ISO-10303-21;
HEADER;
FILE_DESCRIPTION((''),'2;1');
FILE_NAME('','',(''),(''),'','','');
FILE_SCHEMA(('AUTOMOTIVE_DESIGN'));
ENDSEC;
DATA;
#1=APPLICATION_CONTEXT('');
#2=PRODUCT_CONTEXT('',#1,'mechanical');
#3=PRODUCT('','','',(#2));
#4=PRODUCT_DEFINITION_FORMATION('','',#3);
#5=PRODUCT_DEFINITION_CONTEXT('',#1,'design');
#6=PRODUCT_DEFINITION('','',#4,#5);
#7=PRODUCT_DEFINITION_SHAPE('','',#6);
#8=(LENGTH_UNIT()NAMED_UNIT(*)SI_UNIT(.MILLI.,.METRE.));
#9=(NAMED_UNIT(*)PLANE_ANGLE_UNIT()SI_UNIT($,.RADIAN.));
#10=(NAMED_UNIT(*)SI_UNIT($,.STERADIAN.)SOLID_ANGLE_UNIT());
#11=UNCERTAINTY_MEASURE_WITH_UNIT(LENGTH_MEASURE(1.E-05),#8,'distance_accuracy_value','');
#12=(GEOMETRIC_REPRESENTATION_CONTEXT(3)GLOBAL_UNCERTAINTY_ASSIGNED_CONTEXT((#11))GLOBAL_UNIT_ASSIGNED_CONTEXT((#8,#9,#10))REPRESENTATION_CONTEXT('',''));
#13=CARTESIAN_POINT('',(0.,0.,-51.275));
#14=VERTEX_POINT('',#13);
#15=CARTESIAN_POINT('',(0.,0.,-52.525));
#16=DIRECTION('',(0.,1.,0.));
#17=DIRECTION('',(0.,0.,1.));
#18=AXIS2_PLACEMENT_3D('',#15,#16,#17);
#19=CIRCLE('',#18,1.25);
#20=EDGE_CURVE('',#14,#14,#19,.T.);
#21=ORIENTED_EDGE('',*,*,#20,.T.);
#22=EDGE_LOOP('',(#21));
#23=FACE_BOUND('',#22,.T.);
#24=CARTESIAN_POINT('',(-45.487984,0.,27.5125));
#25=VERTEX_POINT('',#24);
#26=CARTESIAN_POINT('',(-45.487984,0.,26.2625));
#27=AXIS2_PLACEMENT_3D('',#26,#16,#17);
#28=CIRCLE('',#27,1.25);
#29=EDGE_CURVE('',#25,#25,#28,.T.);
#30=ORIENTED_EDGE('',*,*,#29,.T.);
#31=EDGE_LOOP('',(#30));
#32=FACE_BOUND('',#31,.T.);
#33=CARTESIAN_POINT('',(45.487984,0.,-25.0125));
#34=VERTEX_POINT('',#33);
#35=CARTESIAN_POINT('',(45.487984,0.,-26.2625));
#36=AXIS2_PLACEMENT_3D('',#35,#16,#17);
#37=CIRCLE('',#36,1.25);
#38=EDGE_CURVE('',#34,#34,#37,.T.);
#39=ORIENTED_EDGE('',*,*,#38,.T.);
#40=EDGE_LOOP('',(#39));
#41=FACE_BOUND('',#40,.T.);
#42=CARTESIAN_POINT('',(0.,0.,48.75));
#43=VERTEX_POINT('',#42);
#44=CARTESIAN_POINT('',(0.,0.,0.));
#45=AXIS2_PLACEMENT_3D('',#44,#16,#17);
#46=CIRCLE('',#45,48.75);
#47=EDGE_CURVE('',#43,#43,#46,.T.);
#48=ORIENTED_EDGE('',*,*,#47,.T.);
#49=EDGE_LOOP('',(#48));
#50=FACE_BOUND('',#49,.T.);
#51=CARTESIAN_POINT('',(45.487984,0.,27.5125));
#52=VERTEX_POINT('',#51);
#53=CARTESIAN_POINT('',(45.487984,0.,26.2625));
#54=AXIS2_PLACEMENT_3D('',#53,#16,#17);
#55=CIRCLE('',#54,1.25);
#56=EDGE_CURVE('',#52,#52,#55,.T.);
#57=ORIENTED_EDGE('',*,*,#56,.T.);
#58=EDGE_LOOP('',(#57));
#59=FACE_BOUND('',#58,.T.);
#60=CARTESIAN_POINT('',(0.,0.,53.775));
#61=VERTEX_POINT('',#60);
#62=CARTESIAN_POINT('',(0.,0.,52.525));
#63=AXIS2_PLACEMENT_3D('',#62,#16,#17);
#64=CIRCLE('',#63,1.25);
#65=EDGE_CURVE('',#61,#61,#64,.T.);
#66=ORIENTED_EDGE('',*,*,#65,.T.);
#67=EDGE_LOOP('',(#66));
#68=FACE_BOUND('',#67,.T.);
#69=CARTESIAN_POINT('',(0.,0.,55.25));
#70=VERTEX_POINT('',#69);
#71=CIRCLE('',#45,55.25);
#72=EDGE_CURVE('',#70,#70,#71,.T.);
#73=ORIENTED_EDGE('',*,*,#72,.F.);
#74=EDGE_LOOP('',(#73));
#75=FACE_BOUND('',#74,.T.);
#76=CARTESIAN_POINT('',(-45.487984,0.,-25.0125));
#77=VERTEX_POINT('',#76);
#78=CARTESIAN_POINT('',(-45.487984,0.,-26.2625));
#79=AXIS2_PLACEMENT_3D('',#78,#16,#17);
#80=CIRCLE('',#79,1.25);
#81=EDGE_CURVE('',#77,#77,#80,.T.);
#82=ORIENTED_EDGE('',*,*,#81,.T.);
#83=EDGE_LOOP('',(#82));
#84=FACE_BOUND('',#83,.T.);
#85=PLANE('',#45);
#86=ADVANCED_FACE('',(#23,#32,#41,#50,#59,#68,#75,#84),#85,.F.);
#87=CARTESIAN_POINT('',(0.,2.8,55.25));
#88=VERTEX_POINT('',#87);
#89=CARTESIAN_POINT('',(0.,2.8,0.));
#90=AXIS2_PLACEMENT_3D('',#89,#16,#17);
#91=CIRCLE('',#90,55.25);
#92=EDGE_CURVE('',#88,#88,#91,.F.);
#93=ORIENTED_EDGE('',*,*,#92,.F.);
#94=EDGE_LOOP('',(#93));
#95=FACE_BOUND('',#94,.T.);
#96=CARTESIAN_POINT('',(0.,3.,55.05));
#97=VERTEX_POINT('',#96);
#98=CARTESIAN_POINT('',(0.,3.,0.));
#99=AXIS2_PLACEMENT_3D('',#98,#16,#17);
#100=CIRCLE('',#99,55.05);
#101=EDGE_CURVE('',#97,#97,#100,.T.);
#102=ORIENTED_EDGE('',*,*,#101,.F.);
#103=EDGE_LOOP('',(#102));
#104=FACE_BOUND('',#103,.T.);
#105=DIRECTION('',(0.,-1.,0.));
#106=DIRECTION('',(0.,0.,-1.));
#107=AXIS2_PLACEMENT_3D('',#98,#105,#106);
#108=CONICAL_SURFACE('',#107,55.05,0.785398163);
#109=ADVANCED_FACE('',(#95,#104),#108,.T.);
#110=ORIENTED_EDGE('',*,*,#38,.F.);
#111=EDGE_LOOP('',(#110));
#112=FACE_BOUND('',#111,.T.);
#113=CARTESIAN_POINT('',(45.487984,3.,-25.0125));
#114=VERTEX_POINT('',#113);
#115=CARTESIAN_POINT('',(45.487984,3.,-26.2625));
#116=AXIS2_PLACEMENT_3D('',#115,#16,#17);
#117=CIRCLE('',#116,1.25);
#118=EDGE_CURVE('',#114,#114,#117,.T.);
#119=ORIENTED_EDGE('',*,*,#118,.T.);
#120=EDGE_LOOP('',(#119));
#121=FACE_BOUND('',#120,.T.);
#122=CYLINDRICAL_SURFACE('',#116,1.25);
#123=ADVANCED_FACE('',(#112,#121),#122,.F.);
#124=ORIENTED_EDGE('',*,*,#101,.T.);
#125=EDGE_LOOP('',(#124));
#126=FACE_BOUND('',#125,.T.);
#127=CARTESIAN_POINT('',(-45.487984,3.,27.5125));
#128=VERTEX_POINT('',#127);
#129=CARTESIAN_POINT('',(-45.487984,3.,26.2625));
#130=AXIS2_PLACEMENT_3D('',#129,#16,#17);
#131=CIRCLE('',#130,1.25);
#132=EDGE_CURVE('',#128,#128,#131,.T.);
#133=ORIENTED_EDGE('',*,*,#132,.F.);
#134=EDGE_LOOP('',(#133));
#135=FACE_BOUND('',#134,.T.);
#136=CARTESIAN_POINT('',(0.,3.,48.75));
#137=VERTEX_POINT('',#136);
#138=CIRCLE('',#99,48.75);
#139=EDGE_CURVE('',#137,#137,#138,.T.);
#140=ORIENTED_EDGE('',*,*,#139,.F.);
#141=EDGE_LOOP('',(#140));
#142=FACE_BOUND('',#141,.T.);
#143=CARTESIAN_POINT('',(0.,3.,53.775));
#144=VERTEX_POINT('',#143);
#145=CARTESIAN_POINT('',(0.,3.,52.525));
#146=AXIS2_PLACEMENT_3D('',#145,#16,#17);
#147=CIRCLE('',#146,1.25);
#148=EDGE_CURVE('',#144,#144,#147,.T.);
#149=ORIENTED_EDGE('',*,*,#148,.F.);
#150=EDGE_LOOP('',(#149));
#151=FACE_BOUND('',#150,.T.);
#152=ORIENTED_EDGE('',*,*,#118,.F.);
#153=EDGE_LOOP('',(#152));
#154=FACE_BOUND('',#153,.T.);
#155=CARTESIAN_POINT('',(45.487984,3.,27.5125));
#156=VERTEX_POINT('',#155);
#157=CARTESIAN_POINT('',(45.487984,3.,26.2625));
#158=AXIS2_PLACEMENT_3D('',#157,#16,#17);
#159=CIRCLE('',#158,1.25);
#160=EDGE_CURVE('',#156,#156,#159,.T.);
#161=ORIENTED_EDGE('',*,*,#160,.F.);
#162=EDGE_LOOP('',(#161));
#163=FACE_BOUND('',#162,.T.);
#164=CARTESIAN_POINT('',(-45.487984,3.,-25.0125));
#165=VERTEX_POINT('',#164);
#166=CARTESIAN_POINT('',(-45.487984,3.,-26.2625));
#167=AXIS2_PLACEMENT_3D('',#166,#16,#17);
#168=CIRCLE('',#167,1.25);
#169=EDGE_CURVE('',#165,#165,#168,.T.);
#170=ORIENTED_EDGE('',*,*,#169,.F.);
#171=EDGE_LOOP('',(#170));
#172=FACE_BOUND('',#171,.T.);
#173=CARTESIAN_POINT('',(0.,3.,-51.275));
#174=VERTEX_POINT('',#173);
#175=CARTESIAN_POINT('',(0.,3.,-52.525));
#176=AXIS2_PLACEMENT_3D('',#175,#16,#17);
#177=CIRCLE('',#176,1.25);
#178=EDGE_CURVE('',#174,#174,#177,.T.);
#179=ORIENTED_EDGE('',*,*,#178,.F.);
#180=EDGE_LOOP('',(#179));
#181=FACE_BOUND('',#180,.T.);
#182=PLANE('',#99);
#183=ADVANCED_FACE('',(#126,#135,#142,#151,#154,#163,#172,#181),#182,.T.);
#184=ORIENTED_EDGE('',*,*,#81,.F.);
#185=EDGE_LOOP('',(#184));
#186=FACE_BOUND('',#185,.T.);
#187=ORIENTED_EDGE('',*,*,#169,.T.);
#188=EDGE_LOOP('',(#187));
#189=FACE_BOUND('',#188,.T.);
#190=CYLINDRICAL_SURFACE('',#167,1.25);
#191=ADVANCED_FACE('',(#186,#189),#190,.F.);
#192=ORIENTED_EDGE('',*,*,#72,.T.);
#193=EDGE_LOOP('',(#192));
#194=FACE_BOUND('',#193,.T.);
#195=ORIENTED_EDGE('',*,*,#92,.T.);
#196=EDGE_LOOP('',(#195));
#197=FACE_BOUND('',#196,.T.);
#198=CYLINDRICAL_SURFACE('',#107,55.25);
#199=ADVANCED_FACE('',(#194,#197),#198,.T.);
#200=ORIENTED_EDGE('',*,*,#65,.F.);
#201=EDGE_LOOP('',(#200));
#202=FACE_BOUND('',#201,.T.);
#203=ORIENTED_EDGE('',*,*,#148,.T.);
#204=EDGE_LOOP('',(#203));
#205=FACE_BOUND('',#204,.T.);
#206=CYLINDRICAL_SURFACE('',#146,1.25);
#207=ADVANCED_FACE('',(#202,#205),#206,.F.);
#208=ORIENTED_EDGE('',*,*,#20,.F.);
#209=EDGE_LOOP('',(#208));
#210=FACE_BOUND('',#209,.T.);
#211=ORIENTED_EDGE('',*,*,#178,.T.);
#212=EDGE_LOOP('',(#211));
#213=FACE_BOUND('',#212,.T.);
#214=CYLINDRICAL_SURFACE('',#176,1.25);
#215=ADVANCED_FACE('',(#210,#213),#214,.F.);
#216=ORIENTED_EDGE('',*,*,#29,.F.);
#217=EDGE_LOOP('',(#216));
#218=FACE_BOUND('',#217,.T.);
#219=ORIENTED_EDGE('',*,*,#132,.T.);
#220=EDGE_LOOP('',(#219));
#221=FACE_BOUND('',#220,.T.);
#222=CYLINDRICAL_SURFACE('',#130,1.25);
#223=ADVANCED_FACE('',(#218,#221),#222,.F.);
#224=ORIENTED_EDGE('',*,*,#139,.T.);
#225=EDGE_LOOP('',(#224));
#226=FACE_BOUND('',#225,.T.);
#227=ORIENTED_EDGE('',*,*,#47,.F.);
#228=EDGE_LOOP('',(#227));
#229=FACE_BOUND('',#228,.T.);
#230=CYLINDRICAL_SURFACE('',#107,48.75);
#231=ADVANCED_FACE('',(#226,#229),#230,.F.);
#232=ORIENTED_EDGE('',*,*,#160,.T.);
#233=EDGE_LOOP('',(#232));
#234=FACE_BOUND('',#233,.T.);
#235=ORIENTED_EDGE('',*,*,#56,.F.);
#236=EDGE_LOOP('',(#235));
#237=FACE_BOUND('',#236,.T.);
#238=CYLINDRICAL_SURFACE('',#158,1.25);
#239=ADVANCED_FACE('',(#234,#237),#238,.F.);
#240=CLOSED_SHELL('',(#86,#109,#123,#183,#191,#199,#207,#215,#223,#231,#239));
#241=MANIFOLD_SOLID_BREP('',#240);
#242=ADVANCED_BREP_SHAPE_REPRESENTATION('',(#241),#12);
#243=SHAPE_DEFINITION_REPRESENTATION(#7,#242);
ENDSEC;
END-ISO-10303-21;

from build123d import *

# Parameters (mm, degrees)
SKETCH_1_R      = 55.25
SKETCH_1_R_2    = 48.75
EXTRUDE_1_DEPTH = 3
M3X0_5_1_D      = 2.5
CHAMFER_1_SIZE  = 0.2


with BuildPart() as part:
    # 草图1 → 凸台-拉伸1 (new body)
    with BuildSketch(Plane(origin=(0, 0, 0), x_dir=(1, 0, 0), z_dir=(0, 1, 0))):
        Circle(SKETCH_1_R)
        Circle(SKETCH_1_R_2, mode=Mode.SUBTRACT)
    extrude(amount=EXTRUDE_1_DEPTH)

    # M3x0.5 螺纹孔1 (through all)
    with Locations(Plane(origin=(0, 3, -52.525), x_dir=(0, 0, 1), z_dir=(0, 1, 0))):
        with Locations((0, 0), (26.2625, 45.487984334), (78.7875, 45.487984334), (105.05, 0), (78.7875, -45.487984334), (26.2625, -45.487984334)):
            Hole(M3X0_5_1_D / 2)

    # 倒角1
    chamfer_1_edges = [part.edges().sort_by_distance(p)[0] for p in [
        (-55.25, 3, 0),
    ]]
    chamfer(chamfer_1_edges, length=CHAMFER_1_SIZE)


solid = part.part
